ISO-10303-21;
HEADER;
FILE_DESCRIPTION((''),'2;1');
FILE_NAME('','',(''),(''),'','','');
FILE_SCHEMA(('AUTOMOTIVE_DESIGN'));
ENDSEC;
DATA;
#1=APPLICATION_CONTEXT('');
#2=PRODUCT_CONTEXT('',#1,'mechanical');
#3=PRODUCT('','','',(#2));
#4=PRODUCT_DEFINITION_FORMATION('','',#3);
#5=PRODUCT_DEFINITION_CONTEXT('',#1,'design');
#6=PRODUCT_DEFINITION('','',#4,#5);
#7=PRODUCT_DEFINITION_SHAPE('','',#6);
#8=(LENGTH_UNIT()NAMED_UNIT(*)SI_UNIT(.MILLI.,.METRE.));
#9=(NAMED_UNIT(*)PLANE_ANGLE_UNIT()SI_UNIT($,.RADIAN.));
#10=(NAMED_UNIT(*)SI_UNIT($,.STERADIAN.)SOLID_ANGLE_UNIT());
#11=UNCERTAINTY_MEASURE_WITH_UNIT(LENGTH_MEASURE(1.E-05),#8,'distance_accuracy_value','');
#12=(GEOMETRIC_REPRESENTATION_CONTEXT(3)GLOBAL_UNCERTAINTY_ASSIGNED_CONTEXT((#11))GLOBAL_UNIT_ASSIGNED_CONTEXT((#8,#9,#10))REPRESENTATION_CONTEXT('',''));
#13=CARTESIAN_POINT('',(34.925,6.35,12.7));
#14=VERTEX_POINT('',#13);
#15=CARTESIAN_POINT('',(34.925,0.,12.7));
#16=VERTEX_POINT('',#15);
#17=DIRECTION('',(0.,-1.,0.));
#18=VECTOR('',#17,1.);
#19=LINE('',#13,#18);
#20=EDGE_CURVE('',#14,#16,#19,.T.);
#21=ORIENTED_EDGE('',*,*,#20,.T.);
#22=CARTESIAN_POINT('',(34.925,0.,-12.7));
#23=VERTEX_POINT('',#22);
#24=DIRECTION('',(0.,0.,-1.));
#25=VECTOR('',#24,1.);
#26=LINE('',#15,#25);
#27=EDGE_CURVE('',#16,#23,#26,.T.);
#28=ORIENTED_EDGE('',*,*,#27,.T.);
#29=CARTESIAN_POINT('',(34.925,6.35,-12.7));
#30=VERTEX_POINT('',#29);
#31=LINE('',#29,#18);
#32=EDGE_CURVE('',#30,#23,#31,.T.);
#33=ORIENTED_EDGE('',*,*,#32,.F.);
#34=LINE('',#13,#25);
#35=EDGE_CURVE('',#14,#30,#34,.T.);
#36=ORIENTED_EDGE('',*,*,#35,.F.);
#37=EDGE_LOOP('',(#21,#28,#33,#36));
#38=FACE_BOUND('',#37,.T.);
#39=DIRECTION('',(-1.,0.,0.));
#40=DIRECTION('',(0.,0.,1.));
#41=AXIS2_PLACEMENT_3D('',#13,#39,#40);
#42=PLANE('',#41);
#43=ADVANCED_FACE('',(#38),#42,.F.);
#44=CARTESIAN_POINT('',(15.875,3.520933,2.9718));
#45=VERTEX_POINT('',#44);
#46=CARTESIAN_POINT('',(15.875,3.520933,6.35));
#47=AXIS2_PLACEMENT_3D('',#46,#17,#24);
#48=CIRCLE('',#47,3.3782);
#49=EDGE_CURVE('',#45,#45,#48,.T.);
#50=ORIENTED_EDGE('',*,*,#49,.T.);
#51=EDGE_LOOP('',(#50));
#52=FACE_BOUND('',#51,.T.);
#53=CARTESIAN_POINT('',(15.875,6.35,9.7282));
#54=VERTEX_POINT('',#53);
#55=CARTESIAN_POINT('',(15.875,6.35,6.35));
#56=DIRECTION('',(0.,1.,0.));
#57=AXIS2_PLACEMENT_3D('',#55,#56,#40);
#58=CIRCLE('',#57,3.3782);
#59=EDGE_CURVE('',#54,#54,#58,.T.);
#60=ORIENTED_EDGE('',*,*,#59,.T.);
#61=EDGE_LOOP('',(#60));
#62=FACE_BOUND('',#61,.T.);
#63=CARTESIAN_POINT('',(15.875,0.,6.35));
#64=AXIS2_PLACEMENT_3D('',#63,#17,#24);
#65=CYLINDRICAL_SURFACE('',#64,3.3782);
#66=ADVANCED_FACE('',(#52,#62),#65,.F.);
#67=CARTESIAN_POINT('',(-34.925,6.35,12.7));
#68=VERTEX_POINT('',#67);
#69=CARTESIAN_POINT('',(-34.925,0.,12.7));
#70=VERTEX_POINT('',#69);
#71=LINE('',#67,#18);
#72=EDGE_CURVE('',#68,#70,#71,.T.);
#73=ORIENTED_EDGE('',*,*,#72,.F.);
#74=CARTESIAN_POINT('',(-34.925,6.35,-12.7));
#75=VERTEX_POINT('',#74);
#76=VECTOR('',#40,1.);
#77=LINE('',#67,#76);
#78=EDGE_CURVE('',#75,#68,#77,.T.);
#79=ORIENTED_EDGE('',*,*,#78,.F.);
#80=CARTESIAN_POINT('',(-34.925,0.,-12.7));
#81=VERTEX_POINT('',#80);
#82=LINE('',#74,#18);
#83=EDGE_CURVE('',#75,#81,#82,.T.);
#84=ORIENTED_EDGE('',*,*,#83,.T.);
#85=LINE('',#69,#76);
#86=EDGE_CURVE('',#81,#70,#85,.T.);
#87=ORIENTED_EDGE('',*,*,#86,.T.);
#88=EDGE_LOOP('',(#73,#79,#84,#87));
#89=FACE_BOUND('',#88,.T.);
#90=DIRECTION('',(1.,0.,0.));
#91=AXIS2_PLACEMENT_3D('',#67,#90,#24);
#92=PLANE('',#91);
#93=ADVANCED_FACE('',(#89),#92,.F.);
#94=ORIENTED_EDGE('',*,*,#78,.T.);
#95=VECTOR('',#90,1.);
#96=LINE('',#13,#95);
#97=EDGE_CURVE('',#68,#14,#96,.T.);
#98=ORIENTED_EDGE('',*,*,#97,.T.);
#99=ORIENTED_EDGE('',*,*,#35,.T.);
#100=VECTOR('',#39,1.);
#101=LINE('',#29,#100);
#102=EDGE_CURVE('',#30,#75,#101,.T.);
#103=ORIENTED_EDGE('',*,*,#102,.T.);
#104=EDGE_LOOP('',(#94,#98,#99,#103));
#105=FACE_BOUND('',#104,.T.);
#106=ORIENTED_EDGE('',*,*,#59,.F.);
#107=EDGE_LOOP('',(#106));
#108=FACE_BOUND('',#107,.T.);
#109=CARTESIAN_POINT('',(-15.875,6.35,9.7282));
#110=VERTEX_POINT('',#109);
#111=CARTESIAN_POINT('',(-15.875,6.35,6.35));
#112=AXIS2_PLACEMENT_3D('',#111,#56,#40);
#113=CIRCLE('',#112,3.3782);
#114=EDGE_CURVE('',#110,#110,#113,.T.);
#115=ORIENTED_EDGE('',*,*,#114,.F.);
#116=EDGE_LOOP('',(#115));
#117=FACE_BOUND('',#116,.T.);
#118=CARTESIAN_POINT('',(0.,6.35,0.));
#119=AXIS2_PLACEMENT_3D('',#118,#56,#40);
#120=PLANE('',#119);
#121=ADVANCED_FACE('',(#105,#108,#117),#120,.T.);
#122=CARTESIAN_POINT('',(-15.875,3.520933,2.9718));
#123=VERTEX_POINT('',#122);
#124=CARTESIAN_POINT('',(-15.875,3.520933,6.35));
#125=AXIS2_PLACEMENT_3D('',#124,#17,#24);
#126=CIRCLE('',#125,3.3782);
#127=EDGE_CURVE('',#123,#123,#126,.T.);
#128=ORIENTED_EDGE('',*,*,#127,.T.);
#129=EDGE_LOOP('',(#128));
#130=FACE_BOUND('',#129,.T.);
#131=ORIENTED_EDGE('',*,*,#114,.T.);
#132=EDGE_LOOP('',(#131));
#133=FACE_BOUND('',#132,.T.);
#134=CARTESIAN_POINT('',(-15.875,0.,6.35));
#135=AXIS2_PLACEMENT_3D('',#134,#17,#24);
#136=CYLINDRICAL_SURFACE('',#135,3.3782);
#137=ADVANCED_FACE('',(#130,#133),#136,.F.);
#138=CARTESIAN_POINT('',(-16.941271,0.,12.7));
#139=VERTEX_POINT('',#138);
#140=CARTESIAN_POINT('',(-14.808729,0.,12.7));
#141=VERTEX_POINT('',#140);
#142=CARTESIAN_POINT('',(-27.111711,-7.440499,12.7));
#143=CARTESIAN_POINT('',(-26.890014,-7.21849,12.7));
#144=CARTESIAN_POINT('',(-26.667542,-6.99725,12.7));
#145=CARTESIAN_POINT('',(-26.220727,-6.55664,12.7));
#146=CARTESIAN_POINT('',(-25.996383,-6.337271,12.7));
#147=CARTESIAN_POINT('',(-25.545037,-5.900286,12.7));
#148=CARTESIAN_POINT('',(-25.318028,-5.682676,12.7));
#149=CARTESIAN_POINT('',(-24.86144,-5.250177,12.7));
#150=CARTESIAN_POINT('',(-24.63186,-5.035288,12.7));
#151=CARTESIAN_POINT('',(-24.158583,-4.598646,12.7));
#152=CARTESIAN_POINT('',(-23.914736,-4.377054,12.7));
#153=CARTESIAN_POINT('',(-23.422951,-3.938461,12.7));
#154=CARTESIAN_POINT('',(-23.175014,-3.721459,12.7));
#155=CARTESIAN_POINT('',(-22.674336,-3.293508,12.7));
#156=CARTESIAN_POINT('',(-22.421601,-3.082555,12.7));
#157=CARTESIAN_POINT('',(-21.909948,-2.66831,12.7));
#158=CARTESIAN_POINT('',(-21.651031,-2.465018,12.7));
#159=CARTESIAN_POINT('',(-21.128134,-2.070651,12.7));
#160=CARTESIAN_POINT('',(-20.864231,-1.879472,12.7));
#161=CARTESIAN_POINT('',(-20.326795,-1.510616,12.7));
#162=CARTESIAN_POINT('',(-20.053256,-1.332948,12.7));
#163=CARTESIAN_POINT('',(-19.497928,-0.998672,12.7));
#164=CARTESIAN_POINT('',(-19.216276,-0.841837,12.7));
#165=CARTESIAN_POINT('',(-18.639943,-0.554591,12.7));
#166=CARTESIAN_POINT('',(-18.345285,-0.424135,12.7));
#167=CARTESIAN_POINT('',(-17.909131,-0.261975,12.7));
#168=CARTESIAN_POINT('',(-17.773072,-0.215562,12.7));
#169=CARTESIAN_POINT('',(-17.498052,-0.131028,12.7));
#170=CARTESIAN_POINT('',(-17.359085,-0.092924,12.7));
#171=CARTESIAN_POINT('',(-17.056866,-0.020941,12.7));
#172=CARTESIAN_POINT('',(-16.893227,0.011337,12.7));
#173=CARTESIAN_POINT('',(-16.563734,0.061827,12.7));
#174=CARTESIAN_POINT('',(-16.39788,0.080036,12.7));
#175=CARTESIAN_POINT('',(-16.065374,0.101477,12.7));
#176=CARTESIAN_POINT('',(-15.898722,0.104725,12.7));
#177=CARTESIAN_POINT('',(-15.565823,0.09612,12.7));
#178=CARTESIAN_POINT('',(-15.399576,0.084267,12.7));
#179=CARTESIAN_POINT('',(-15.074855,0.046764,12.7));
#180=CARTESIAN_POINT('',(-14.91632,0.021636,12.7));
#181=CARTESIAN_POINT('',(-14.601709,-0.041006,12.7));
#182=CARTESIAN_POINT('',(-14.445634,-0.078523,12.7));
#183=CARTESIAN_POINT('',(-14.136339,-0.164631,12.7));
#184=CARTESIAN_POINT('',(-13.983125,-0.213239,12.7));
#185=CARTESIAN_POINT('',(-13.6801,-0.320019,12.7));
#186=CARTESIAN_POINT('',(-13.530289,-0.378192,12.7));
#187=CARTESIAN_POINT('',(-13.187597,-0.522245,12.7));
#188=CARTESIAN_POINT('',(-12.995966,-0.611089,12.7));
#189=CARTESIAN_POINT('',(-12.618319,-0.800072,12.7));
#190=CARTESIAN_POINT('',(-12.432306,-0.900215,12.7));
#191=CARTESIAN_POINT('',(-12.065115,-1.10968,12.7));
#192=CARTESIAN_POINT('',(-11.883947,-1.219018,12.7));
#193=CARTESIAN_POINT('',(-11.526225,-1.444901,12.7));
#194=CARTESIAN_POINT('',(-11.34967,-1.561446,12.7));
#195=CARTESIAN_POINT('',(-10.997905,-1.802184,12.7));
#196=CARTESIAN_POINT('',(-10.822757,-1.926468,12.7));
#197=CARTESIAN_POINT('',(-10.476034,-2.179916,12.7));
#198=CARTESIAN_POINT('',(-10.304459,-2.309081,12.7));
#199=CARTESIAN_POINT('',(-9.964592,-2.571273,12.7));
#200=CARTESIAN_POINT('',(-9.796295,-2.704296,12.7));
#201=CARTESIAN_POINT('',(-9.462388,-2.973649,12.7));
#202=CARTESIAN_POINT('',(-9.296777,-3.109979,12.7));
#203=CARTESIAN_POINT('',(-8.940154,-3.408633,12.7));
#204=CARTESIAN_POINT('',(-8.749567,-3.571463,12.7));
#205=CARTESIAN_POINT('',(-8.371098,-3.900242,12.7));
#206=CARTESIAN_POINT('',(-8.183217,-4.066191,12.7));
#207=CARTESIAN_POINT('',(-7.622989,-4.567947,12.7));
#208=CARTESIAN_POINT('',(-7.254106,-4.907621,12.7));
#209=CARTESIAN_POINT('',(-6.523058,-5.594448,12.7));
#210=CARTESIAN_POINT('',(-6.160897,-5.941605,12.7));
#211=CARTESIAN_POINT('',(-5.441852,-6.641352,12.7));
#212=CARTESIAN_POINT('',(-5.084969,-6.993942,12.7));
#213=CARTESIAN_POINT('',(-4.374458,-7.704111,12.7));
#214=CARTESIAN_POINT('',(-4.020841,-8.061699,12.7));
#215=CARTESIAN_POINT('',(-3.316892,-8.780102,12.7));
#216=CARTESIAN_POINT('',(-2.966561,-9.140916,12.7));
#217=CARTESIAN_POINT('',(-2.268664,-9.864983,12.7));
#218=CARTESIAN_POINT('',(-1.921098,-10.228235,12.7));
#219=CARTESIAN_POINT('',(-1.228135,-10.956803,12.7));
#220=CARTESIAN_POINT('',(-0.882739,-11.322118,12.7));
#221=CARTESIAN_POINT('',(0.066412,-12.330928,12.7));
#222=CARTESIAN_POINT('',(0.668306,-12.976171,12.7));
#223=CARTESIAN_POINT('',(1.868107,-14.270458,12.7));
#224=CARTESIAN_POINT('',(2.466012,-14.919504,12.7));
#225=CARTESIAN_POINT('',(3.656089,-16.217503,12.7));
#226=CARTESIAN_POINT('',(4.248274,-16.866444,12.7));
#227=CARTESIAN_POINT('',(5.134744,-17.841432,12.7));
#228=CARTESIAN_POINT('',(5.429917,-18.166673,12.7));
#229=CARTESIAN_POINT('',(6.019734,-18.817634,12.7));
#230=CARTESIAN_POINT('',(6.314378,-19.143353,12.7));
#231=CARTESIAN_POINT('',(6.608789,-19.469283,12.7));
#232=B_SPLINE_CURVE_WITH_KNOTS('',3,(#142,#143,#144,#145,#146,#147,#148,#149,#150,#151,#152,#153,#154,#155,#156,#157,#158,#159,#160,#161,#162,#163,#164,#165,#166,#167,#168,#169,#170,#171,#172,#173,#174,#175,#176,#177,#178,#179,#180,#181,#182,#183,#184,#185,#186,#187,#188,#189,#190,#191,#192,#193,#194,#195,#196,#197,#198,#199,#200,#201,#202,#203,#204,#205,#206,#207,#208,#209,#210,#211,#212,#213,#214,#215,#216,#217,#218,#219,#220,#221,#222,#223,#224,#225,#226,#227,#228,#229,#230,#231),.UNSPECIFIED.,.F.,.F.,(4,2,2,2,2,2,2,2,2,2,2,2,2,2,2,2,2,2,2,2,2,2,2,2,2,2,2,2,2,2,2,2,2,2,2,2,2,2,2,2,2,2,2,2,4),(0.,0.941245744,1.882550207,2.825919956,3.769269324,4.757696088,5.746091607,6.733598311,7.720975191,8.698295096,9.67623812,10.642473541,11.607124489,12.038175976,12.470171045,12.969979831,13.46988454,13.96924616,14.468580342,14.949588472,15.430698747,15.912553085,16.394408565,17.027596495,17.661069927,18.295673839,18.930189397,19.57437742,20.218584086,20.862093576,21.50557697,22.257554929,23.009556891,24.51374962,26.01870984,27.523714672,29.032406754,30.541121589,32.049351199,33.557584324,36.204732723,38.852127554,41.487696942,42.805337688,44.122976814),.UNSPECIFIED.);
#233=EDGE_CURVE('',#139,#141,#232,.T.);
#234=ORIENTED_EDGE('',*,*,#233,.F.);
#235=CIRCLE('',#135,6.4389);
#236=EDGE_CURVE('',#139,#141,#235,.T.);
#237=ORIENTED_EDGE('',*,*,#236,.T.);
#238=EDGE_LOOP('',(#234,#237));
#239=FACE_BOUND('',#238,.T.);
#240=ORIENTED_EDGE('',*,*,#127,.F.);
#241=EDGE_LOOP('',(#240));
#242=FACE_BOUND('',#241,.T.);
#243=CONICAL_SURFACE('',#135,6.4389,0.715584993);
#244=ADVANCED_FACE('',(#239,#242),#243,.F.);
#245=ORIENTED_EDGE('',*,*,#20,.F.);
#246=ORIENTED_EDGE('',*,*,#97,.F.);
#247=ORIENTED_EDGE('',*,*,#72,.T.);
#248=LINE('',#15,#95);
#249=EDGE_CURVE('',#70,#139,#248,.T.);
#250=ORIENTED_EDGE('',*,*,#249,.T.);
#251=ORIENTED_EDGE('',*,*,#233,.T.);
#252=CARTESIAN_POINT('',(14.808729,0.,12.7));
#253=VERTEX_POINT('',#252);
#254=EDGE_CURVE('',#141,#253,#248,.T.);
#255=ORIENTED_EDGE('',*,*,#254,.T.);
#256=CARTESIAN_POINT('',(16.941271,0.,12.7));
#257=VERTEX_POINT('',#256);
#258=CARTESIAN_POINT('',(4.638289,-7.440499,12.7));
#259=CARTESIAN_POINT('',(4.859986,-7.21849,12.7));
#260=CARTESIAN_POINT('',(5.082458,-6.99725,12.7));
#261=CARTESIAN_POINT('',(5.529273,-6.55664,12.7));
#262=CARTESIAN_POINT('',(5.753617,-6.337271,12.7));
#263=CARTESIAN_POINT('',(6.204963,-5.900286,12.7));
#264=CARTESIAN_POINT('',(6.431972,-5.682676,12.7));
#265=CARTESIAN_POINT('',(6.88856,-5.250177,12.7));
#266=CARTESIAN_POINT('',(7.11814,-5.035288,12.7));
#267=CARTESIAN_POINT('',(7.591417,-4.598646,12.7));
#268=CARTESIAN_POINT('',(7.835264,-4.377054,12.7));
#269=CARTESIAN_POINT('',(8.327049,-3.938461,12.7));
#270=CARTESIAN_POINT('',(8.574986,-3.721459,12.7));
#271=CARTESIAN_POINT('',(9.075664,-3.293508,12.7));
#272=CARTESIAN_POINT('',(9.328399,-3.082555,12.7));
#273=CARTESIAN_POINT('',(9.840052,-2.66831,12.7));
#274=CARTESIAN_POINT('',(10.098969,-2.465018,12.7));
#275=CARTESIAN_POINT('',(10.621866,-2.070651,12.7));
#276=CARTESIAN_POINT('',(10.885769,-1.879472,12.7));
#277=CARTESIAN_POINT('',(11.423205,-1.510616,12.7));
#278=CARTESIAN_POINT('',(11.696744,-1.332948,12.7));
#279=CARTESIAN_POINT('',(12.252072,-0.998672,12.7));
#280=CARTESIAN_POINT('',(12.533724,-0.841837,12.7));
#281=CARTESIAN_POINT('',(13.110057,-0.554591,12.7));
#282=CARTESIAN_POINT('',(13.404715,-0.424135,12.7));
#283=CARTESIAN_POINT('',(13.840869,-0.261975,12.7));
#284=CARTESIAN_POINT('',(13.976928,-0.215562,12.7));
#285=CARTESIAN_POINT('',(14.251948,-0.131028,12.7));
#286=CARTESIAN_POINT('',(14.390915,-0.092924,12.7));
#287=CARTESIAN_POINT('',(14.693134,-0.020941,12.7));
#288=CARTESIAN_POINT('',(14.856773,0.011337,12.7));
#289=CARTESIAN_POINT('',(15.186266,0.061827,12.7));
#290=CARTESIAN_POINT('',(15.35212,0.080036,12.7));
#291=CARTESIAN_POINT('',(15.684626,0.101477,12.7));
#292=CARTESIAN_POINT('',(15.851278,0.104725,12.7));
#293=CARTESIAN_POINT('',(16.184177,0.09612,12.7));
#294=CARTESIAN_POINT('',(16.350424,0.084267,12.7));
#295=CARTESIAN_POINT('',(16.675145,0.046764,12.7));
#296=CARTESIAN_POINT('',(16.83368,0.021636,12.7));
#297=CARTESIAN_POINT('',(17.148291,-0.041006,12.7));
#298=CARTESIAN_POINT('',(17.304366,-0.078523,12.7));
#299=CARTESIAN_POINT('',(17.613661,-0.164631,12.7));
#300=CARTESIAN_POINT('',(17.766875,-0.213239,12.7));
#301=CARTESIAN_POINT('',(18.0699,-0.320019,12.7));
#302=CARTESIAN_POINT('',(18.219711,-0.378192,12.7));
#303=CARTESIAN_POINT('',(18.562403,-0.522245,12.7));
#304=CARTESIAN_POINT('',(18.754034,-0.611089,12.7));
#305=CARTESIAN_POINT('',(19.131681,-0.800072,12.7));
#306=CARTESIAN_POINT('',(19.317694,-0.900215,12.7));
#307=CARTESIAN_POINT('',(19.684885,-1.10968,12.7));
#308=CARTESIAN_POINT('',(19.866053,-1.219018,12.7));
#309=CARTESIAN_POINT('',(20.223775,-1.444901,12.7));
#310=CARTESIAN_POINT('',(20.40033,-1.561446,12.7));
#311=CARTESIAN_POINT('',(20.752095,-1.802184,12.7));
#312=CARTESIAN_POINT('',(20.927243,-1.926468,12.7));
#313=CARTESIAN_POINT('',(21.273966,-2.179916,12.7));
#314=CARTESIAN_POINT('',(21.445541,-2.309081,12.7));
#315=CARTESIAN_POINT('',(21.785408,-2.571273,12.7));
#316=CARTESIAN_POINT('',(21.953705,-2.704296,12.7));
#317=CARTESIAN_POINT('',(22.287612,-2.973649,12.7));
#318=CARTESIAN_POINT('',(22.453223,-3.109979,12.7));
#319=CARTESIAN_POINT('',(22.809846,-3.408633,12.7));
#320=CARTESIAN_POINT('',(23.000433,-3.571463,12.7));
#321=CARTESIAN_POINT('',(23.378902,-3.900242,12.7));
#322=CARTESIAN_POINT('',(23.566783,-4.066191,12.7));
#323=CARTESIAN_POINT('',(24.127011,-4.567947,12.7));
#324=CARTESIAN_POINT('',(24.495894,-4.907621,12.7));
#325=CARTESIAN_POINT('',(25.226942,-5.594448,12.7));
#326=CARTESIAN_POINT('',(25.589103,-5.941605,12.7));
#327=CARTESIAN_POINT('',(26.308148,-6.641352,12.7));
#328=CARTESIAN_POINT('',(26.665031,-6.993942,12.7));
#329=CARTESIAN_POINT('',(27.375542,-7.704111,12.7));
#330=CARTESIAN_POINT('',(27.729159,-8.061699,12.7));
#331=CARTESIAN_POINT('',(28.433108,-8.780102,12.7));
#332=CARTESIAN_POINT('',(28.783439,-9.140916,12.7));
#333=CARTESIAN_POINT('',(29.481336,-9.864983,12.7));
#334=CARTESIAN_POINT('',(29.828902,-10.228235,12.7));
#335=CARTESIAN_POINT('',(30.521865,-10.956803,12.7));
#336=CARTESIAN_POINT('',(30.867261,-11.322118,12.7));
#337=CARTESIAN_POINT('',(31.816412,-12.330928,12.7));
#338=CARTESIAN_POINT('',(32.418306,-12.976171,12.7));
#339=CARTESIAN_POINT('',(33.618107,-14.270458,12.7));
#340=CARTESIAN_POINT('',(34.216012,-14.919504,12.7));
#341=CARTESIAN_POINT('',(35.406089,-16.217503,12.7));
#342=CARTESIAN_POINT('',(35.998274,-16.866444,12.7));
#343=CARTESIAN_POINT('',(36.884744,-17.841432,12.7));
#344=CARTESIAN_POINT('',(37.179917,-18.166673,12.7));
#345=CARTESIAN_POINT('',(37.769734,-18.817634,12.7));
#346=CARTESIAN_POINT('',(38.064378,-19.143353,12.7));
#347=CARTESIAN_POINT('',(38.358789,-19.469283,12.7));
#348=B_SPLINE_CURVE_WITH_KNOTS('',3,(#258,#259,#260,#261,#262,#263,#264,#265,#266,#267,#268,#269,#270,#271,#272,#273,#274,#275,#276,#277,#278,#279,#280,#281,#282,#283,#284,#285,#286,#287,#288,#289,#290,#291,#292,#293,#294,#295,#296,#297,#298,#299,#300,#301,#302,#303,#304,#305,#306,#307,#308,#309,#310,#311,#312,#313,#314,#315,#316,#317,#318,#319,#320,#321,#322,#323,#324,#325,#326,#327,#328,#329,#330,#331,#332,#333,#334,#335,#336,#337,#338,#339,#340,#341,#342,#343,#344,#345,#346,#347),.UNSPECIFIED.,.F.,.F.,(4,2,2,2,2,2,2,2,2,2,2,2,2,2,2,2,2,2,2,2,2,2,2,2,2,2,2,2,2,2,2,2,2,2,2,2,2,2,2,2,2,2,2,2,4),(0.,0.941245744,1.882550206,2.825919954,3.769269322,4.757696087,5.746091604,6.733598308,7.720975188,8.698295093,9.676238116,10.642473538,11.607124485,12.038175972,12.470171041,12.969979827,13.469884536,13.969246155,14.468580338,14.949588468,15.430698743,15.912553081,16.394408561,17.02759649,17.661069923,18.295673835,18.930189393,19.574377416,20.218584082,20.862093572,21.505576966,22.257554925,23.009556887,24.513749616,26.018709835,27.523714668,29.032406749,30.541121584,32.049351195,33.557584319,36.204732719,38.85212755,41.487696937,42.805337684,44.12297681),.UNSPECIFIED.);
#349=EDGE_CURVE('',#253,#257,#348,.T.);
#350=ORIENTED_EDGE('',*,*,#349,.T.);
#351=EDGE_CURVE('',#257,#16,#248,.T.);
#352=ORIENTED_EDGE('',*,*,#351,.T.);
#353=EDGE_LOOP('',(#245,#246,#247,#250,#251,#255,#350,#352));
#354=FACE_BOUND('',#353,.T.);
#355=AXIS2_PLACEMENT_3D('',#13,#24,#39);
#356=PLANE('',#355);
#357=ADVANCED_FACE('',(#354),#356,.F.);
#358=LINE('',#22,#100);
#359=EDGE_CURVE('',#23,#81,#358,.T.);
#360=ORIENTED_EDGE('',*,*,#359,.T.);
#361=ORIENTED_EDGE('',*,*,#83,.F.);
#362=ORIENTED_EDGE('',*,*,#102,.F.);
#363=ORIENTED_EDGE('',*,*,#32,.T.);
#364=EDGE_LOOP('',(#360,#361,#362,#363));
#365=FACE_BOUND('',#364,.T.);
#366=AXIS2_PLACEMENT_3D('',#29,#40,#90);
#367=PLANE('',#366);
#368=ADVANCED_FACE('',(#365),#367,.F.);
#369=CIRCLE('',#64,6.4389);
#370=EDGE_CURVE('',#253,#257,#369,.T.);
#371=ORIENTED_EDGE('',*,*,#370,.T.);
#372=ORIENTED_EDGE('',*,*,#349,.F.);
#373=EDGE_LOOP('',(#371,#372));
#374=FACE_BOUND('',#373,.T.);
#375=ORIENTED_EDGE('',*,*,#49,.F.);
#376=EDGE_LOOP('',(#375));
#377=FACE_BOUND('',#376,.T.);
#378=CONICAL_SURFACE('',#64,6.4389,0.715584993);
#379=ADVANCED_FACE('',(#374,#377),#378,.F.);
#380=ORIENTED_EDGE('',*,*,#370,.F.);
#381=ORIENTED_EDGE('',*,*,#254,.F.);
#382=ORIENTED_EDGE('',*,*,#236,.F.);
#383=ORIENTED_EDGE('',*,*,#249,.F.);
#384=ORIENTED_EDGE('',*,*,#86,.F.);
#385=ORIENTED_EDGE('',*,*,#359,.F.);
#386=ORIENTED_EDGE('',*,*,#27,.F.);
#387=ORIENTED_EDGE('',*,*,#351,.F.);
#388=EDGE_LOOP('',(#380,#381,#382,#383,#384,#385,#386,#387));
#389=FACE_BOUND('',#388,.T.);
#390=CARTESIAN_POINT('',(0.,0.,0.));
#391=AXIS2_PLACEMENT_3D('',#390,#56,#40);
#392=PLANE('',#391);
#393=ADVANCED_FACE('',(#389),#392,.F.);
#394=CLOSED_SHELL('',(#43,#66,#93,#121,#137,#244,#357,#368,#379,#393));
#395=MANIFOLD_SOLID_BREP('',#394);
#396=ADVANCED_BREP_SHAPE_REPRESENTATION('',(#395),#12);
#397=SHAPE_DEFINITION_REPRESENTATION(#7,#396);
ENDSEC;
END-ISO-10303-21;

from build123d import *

# Parameters (mm, degrees)
SKETCH1_W                                        = 69.85
SKETCH1_H                                        = 25.4
BOSS_EXTRUDE1_DEPTH                              = 6.35
CSK_FOR_1_4_FLAT_HEAD_MACHINE_SCREW1_D           = 6.7564
CSK_FOR_1_4_FLAT_HEAD_MACHINE_SCREW1_DEPTH       = 15.24
CSK_FOR_1_4_FLAT_HEAD_MACHINE_SCREW1_CSINK_D     = 12.8778
CSK_FOR_1_4_FLAT_HEAD_MACHINE_SCREW1_CSINK_ANGLE = 82
CSK_FOR_1_4_FLAT_HEAD_MACHINE_SCREW1_TIP         = 2.029827343


with BuildPart() as part:
    # Sketch1 → Boss-Extrude1 (new body)
    with BuildSketch(Plane(origin=(0, 0, 0), x_dir=(1, 0, 0), z_dir=(0, 1, 0))):
        Rectangle(SKETCH1_W, SKETCH1_H)
    extrude(amount=BOSS_EXTRUDE1_DEPTH)

    # CSK for 1/4 Flat Head Machine Screw1
    with Locations(Plane(origin=(0, 0, 0), x_dir=(-1, 0, 0), z_dir=(0, -1, 0))):
        with Locations((15.875, -6.35), (-15.875, -6.35)):
            CounterSinkHole(CSK_FOR_1_4_FLAT_HEAD_MACHINE_SCREW1_D / 2, CSK_FOR_1_4_FLAT_HEAD_MACHINE_SCREW1_CSINK_D / 2, depth=CSK_FOR_1_4_FLAT_HEAD_MACHINE_SCREW1_DEPTH, counter_sink_angle=CSK_FOR_1_4_FLAT_HEAD_MACHINE_SCREW1_CSINK_ANGLE)
            with Locations((0, 0, -(CSK_FOR_1_4_FLAT_HEAD_MACHINE_SCREW1_DEPTH + CSK_FOR_1_4_FLAT_HEAD_MACHINE_SCREW1_TIP / 2))):  # 118° drill point
                Cone(0, CSK_FOR_1_4_FLAT_HEAD_MACHINE_SCREW1_D / 2, CSK_FOR_1_4_FLAT_HEAD_MACHINE_SCREW1_TIP, mode=Mode.SUBTRACT)


solid = part.part
